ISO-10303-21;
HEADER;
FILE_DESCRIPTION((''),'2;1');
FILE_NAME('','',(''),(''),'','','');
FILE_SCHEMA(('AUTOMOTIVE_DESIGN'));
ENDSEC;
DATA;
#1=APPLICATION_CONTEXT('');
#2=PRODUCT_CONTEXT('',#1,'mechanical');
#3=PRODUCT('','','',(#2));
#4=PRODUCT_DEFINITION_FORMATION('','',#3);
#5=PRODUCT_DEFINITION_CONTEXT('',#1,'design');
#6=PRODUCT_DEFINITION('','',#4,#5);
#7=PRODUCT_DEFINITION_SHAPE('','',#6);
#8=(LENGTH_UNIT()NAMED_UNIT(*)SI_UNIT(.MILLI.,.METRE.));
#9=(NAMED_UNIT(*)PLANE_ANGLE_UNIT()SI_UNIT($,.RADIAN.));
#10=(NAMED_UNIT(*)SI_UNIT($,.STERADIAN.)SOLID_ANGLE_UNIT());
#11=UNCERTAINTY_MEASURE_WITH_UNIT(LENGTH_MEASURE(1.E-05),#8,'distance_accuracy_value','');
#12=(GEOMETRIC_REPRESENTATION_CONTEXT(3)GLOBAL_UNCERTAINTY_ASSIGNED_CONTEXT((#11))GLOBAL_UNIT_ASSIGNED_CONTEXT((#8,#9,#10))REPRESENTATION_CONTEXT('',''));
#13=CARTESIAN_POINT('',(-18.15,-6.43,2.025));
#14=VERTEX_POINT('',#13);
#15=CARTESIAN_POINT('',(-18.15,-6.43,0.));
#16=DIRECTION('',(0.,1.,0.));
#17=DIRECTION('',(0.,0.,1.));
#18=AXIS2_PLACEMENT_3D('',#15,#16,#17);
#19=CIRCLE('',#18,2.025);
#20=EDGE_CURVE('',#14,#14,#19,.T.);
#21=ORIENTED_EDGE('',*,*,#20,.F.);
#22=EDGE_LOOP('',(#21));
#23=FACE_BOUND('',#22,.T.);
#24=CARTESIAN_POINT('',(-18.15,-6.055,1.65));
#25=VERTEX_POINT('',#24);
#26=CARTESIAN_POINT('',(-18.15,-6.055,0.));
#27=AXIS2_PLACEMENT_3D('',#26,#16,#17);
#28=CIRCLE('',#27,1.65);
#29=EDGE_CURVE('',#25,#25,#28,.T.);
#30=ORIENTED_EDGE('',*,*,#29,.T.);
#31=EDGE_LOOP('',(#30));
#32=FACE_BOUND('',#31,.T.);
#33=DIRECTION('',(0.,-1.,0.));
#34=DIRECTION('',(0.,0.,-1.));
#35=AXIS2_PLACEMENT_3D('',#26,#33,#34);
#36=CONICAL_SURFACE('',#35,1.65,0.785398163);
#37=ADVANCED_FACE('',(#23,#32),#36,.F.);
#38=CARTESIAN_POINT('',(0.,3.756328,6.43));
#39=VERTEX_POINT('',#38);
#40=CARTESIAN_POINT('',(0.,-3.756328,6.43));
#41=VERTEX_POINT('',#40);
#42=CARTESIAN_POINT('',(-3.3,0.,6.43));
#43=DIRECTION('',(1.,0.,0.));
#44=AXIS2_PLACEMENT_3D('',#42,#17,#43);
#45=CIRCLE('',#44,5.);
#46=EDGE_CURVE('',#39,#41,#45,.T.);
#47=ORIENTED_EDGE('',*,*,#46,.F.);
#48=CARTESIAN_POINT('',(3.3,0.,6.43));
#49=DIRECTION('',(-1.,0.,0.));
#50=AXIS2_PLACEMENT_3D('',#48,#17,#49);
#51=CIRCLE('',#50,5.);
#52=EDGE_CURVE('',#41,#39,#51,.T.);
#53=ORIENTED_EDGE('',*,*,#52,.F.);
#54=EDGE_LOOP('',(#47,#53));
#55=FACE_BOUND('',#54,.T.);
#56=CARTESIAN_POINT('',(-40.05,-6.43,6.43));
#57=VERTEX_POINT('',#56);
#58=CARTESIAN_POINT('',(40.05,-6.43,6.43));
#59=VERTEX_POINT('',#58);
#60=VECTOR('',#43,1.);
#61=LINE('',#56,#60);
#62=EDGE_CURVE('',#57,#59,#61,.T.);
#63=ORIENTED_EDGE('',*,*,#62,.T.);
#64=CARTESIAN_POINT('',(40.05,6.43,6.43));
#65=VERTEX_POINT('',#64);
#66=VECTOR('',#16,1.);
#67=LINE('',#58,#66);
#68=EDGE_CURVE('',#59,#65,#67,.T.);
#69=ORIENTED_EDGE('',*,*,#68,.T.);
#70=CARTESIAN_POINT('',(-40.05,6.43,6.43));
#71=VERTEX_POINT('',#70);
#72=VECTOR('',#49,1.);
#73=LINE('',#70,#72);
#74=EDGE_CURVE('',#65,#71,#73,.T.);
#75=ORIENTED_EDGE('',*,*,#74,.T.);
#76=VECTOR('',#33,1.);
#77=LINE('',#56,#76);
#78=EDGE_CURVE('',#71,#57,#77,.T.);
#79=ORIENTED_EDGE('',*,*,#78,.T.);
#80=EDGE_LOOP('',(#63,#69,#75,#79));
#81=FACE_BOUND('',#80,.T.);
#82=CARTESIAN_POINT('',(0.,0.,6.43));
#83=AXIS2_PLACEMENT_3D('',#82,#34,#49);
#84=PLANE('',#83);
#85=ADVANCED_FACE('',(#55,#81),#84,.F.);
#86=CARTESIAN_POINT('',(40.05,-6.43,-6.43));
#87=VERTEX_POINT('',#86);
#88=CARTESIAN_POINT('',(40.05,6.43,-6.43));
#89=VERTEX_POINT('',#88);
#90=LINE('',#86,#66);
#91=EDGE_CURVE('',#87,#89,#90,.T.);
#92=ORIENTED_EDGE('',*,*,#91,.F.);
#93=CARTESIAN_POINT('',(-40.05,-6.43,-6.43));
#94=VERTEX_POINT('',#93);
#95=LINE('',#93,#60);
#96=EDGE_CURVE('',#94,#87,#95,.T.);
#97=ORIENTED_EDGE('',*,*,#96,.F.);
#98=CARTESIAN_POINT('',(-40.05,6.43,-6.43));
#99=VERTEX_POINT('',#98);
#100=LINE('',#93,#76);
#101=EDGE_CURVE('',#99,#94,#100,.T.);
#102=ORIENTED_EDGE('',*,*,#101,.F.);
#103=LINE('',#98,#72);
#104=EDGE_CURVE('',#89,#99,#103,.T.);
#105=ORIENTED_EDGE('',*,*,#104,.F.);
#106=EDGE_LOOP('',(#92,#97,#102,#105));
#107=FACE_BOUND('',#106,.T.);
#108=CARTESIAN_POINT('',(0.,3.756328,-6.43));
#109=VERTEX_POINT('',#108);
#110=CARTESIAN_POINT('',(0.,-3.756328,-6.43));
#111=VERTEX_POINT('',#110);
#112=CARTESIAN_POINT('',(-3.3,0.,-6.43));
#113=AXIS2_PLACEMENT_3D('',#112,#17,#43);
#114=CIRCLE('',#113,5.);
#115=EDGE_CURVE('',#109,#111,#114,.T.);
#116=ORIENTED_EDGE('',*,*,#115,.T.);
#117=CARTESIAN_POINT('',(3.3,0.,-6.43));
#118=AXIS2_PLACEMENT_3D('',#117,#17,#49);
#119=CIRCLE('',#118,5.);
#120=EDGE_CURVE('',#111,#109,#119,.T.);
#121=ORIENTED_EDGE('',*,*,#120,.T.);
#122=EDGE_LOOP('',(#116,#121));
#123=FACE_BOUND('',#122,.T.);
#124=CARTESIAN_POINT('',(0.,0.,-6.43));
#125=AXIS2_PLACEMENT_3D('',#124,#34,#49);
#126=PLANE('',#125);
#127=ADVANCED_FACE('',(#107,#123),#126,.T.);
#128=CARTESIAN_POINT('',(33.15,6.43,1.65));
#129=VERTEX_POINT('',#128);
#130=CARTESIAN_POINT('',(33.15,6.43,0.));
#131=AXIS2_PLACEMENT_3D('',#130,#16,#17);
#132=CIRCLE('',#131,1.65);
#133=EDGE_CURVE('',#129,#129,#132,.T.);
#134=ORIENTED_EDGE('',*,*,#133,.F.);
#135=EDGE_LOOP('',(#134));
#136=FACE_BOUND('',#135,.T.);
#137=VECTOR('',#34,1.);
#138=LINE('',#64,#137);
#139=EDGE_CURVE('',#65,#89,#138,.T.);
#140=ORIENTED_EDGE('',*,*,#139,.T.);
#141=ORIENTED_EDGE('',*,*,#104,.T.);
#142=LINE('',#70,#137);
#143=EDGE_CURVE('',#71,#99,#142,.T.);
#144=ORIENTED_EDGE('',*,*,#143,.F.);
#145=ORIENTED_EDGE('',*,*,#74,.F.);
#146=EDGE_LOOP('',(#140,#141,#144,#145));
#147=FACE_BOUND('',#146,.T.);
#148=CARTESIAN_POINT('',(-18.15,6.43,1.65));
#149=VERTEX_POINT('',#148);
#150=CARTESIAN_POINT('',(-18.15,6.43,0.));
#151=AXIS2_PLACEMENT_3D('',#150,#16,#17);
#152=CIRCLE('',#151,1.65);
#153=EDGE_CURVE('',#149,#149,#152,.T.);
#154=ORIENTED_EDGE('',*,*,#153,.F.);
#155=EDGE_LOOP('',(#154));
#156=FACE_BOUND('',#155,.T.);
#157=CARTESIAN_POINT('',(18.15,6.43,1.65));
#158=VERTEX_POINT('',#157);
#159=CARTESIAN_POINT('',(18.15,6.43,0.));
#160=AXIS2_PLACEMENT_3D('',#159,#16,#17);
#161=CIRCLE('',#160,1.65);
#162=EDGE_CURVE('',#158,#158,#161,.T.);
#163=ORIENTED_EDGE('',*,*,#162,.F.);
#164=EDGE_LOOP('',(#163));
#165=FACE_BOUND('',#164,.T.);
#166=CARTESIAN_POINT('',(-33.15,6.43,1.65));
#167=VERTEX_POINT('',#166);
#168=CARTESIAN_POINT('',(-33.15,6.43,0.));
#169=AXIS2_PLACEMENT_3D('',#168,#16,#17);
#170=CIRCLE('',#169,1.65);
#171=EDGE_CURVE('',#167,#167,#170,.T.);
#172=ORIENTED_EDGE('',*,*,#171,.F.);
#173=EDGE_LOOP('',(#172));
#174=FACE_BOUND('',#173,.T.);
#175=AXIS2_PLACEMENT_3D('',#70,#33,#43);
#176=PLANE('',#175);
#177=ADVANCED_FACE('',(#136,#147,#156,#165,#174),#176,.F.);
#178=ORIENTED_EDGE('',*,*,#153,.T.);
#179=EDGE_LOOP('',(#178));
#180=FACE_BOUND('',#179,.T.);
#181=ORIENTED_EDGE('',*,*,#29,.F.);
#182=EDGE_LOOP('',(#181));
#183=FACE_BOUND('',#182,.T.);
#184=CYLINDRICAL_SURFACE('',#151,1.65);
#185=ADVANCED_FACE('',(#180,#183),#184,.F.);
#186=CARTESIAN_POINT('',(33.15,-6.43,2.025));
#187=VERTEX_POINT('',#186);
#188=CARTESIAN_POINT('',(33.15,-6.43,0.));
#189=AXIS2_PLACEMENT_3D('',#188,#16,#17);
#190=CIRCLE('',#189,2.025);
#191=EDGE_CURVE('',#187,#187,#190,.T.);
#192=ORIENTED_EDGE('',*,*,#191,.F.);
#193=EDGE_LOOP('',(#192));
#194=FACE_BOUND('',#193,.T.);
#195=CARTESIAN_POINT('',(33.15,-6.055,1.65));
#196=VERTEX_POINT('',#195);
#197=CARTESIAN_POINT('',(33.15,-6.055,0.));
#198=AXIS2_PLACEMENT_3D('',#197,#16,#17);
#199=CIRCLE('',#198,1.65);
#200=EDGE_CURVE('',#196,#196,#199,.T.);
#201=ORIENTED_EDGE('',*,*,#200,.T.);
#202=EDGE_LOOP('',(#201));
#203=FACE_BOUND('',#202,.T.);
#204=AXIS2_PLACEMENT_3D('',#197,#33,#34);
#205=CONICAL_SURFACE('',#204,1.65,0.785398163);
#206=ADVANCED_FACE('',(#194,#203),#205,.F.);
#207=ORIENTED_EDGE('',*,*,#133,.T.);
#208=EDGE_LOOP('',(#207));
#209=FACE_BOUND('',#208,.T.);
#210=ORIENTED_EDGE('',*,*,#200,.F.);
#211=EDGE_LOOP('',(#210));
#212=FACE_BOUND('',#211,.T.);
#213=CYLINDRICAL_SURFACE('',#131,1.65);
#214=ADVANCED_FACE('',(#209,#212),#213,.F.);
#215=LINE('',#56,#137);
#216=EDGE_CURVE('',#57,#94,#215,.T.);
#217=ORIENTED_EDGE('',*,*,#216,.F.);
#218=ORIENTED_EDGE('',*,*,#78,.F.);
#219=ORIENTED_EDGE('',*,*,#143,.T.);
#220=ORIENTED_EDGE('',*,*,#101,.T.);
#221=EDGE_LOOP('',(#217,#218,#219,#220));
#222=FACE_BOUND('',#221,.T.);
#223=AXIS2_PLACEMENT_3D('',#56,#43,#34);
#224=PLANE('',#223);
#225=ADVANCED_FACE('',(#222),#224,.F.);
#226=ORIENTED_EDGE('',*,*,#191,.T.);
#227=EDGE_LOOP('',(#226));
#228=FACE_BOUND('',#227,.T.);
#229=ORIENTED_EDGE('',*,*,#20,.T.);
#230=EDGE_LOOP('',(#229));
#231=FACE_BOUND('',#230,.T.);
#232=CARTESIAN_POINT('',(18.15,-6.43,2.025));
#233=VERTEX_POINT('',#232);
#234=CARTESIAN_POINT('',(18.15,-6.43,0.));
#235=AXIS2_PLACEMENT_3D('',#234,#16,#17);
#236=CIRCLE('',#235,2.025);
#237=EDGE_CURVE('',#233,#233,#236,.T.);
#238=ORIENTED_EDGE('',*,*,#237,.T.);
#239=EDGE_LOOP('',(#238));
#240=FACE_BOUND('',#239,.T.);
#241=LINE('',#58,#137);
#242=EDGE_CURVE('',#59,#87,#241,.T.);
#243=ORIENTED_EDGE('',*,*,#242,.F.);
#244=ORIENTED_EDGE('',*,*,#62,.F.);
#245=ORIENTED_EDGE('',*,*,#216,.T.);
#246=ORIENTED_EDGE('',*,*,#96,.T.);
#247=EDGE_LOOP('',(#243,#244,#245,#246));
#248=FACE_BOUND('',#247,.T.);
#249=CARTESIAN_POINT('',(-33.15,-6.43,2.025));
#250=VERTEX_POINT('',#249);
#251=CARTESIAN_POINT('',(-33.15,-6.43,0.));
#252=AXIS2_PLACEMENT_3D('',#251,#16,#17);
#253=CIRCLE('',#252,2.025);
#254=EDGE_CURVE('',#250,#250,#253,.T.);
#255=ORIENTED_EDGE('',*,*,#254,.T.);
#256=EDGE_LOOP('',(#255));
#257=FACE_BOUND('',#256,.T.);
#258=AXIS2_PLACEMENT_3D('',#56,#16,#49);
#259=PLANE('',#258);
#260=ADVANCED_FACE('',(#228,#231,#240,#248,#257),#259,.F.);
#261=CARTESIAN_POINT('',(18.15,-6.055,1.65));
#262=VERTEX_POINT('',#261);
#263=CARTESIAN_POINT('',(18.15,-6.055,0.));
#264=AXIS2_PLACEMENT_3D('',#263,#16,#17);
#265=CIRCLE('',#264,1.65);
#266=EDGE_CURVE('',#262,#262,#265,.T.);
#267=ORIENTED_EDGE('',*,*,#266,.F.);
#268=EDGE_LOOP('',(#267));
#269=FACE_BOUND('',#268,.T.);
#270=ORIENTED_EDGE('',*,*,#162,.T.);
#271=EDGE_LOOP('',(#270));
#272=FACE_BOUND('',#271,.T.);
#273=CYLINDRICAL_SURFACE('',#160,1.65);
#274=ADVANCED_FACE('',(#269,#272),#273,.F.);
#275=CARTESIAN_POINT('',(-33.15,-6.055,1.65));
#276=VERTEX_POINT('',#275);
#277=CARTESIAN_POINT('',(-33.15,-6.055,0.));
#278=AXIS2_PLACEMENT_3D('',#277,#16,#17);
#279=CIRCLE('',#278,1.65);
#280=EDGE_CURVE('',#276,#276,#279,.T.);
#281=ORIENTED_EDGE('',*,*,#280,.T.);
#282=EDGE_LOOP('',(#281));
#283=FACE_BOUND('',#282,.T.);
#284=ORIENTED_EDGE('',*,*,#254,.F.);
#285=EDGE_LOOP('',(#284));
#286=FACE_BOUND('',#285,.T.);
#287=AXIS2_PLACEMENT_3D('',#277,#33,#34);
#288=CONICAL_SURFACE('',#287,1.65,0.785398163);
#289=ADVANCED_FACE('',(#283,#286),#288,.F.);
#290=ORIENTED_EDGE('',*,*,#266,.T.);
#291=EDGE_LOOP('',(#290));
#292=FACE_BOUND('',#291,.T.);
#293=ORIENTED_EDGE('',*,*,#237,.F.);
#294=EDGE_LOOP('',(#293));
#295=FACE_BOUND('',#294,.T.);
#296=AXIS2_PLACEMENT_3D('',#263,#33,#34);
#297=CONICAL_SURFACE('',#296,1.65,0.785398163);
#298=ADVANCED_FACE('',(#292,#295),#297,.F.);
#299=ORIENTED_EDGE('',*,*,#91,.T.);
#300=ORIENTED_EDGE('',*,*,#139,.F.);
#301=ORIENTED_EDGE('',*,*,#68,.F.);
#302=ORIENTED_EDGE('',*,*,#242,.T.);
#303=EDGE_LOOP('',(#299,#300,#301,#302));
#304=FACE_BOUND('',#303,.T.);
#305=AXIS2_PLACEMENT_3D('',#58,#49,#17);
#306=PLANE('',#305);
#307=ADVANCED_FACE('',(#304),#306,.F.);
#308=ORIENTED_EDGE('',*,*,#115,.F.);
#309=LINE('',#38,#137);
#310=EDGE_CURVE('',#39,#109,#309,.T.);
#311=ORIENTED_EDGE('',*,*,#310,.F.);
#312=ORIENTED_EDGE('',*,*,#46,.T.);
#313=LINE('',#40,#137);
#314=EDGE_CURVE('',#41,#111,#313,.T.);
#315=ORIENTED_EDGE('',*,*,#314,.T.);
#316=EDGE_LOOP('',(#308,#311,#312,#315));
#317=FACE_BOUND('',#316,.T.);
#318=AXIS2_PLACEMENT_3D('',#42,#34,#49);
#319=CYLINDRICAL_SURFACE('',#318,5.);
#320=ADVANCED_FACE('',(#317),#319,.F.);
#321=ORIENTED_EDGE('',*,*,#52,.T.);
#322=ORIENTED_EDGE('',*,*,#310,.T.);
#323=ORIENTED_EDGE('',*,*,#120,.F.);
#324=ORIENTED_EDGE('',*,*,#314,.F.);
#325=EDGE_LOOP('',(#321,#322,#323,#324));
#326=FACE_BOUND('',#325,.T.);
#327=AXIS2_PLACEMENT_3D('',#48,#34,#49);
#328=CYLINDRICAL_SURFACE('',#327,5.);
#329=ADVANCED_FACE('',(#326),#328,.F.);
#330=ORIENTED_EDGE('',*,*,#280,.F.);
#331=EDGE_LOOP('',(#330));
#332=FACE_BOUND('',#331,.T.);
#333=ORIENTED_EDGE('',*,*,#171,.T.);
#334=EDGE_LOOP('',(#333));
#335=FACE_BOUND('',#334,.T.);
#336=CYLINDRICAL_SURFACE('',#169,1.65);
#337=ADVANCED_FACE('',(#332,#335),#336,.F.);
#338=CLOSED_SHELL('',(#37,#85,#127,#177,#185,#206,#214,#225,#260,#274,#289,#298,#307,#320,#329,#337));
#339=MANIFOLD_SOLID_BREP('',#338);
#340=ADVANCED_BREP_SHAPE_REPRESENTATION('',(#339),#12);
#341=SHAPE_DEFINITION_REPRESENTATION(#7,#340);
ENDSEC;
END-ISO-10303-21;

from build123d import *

# Parameters (mm, degrees)
IZIM1_W                     = 80.1
IZIM1_H                     = 12.86
Y_KSEKLIK_EKSTR_ZYON2_DEPTH = 6.43
M4_TAPPED_HOLE1_AT_2_COUNT  = 2
M4_TAPPED_HOLE1_AT_2_PITCH  = 15
M4_TAPPED_HOLE1_AT_3_COUNT  = 2
M4_TAPPED_HOLE1_AT_3_PITCH  = 51.3
M4_TAPPED_HOLE1_AT_4_COUNT  = 2
M4_TAPPED_HOLE1_AT_4_PITCH  = 66.3


with BuildPart() as part:
    # Çizim1 → Yükseklik-Ekstrüzyon2 (new body, symmetric)
    with BuildSketch(Plane.XY):
        Rectangle(IZIM1_W, IZIM1_H)
        with BuildLine():
            ThreePointArc((0, 3.756327994), (-8.3, 0), (0, -3.756327994))
            ThreePointArc((0, -3.756327994), (8.3, 0), (0, 3.756327994))
        make_face(mode=Mode.SUBTRACT)
    extrude(amount=Y_KSEKLIK_EKSTR_ZYON2_DEPTH, both=True)

    # Çizim8 → M4 Tapped Hole1 (revolve, cut)
    with BuildSketch(Plane(origin=(-33.15, 6.43, 0), x_dir=(0, 0, 1), z_dir=(1, 0, 0))):
        Polygon((0, 0), (0, 12.86), (2.025, 12.86), (1.65, 12.485), (1.65, 0), align=None)
    m4_tapped_hole1 = revolve(axis=Axis((-33.15, 12.78, 0), (0, -1, 0)), mode=Mode.SUBTRACT)

    # M4 Tapped Hole1 at 2: M4 Tapped Hole1 ×2
    with Locations(*[(i * M4_TAPPED_HOLE1_AT_2_PITCH, 0, 0) for i in range(1, M4_TAPPED_HOLE1_AT_2_COUNT)]):
        add(m4_tapped_hole1, mode=Mode.SUBTRACT)

    # M4 Tapped Hole1 at 3: M4 Tapped Hole1 ×2
    with Locations(*[(i * M4_TAPPED_HOLE1_AT_3_PITCH, 0, 0) for i in range(1, M4_TAPPED_HOLE1_AT_3_COUNT)]):
        add(m4_tapped_hole1, mode=Mode.SUBTRACT)

    # M4 Tapped Hole1 at 4: M4 Tapped Hole1 ×2
    with Locations(*[(i * M4_TAPPED_HOLE1_AT_4_PITCH, 0, 0) for i in range(1, M4_TAPPED_HOLE1_AT_4_COUNT)]):
        add(m4_tapped_hole1, mode=Mode.SUBTRACT)


solid = part.part
